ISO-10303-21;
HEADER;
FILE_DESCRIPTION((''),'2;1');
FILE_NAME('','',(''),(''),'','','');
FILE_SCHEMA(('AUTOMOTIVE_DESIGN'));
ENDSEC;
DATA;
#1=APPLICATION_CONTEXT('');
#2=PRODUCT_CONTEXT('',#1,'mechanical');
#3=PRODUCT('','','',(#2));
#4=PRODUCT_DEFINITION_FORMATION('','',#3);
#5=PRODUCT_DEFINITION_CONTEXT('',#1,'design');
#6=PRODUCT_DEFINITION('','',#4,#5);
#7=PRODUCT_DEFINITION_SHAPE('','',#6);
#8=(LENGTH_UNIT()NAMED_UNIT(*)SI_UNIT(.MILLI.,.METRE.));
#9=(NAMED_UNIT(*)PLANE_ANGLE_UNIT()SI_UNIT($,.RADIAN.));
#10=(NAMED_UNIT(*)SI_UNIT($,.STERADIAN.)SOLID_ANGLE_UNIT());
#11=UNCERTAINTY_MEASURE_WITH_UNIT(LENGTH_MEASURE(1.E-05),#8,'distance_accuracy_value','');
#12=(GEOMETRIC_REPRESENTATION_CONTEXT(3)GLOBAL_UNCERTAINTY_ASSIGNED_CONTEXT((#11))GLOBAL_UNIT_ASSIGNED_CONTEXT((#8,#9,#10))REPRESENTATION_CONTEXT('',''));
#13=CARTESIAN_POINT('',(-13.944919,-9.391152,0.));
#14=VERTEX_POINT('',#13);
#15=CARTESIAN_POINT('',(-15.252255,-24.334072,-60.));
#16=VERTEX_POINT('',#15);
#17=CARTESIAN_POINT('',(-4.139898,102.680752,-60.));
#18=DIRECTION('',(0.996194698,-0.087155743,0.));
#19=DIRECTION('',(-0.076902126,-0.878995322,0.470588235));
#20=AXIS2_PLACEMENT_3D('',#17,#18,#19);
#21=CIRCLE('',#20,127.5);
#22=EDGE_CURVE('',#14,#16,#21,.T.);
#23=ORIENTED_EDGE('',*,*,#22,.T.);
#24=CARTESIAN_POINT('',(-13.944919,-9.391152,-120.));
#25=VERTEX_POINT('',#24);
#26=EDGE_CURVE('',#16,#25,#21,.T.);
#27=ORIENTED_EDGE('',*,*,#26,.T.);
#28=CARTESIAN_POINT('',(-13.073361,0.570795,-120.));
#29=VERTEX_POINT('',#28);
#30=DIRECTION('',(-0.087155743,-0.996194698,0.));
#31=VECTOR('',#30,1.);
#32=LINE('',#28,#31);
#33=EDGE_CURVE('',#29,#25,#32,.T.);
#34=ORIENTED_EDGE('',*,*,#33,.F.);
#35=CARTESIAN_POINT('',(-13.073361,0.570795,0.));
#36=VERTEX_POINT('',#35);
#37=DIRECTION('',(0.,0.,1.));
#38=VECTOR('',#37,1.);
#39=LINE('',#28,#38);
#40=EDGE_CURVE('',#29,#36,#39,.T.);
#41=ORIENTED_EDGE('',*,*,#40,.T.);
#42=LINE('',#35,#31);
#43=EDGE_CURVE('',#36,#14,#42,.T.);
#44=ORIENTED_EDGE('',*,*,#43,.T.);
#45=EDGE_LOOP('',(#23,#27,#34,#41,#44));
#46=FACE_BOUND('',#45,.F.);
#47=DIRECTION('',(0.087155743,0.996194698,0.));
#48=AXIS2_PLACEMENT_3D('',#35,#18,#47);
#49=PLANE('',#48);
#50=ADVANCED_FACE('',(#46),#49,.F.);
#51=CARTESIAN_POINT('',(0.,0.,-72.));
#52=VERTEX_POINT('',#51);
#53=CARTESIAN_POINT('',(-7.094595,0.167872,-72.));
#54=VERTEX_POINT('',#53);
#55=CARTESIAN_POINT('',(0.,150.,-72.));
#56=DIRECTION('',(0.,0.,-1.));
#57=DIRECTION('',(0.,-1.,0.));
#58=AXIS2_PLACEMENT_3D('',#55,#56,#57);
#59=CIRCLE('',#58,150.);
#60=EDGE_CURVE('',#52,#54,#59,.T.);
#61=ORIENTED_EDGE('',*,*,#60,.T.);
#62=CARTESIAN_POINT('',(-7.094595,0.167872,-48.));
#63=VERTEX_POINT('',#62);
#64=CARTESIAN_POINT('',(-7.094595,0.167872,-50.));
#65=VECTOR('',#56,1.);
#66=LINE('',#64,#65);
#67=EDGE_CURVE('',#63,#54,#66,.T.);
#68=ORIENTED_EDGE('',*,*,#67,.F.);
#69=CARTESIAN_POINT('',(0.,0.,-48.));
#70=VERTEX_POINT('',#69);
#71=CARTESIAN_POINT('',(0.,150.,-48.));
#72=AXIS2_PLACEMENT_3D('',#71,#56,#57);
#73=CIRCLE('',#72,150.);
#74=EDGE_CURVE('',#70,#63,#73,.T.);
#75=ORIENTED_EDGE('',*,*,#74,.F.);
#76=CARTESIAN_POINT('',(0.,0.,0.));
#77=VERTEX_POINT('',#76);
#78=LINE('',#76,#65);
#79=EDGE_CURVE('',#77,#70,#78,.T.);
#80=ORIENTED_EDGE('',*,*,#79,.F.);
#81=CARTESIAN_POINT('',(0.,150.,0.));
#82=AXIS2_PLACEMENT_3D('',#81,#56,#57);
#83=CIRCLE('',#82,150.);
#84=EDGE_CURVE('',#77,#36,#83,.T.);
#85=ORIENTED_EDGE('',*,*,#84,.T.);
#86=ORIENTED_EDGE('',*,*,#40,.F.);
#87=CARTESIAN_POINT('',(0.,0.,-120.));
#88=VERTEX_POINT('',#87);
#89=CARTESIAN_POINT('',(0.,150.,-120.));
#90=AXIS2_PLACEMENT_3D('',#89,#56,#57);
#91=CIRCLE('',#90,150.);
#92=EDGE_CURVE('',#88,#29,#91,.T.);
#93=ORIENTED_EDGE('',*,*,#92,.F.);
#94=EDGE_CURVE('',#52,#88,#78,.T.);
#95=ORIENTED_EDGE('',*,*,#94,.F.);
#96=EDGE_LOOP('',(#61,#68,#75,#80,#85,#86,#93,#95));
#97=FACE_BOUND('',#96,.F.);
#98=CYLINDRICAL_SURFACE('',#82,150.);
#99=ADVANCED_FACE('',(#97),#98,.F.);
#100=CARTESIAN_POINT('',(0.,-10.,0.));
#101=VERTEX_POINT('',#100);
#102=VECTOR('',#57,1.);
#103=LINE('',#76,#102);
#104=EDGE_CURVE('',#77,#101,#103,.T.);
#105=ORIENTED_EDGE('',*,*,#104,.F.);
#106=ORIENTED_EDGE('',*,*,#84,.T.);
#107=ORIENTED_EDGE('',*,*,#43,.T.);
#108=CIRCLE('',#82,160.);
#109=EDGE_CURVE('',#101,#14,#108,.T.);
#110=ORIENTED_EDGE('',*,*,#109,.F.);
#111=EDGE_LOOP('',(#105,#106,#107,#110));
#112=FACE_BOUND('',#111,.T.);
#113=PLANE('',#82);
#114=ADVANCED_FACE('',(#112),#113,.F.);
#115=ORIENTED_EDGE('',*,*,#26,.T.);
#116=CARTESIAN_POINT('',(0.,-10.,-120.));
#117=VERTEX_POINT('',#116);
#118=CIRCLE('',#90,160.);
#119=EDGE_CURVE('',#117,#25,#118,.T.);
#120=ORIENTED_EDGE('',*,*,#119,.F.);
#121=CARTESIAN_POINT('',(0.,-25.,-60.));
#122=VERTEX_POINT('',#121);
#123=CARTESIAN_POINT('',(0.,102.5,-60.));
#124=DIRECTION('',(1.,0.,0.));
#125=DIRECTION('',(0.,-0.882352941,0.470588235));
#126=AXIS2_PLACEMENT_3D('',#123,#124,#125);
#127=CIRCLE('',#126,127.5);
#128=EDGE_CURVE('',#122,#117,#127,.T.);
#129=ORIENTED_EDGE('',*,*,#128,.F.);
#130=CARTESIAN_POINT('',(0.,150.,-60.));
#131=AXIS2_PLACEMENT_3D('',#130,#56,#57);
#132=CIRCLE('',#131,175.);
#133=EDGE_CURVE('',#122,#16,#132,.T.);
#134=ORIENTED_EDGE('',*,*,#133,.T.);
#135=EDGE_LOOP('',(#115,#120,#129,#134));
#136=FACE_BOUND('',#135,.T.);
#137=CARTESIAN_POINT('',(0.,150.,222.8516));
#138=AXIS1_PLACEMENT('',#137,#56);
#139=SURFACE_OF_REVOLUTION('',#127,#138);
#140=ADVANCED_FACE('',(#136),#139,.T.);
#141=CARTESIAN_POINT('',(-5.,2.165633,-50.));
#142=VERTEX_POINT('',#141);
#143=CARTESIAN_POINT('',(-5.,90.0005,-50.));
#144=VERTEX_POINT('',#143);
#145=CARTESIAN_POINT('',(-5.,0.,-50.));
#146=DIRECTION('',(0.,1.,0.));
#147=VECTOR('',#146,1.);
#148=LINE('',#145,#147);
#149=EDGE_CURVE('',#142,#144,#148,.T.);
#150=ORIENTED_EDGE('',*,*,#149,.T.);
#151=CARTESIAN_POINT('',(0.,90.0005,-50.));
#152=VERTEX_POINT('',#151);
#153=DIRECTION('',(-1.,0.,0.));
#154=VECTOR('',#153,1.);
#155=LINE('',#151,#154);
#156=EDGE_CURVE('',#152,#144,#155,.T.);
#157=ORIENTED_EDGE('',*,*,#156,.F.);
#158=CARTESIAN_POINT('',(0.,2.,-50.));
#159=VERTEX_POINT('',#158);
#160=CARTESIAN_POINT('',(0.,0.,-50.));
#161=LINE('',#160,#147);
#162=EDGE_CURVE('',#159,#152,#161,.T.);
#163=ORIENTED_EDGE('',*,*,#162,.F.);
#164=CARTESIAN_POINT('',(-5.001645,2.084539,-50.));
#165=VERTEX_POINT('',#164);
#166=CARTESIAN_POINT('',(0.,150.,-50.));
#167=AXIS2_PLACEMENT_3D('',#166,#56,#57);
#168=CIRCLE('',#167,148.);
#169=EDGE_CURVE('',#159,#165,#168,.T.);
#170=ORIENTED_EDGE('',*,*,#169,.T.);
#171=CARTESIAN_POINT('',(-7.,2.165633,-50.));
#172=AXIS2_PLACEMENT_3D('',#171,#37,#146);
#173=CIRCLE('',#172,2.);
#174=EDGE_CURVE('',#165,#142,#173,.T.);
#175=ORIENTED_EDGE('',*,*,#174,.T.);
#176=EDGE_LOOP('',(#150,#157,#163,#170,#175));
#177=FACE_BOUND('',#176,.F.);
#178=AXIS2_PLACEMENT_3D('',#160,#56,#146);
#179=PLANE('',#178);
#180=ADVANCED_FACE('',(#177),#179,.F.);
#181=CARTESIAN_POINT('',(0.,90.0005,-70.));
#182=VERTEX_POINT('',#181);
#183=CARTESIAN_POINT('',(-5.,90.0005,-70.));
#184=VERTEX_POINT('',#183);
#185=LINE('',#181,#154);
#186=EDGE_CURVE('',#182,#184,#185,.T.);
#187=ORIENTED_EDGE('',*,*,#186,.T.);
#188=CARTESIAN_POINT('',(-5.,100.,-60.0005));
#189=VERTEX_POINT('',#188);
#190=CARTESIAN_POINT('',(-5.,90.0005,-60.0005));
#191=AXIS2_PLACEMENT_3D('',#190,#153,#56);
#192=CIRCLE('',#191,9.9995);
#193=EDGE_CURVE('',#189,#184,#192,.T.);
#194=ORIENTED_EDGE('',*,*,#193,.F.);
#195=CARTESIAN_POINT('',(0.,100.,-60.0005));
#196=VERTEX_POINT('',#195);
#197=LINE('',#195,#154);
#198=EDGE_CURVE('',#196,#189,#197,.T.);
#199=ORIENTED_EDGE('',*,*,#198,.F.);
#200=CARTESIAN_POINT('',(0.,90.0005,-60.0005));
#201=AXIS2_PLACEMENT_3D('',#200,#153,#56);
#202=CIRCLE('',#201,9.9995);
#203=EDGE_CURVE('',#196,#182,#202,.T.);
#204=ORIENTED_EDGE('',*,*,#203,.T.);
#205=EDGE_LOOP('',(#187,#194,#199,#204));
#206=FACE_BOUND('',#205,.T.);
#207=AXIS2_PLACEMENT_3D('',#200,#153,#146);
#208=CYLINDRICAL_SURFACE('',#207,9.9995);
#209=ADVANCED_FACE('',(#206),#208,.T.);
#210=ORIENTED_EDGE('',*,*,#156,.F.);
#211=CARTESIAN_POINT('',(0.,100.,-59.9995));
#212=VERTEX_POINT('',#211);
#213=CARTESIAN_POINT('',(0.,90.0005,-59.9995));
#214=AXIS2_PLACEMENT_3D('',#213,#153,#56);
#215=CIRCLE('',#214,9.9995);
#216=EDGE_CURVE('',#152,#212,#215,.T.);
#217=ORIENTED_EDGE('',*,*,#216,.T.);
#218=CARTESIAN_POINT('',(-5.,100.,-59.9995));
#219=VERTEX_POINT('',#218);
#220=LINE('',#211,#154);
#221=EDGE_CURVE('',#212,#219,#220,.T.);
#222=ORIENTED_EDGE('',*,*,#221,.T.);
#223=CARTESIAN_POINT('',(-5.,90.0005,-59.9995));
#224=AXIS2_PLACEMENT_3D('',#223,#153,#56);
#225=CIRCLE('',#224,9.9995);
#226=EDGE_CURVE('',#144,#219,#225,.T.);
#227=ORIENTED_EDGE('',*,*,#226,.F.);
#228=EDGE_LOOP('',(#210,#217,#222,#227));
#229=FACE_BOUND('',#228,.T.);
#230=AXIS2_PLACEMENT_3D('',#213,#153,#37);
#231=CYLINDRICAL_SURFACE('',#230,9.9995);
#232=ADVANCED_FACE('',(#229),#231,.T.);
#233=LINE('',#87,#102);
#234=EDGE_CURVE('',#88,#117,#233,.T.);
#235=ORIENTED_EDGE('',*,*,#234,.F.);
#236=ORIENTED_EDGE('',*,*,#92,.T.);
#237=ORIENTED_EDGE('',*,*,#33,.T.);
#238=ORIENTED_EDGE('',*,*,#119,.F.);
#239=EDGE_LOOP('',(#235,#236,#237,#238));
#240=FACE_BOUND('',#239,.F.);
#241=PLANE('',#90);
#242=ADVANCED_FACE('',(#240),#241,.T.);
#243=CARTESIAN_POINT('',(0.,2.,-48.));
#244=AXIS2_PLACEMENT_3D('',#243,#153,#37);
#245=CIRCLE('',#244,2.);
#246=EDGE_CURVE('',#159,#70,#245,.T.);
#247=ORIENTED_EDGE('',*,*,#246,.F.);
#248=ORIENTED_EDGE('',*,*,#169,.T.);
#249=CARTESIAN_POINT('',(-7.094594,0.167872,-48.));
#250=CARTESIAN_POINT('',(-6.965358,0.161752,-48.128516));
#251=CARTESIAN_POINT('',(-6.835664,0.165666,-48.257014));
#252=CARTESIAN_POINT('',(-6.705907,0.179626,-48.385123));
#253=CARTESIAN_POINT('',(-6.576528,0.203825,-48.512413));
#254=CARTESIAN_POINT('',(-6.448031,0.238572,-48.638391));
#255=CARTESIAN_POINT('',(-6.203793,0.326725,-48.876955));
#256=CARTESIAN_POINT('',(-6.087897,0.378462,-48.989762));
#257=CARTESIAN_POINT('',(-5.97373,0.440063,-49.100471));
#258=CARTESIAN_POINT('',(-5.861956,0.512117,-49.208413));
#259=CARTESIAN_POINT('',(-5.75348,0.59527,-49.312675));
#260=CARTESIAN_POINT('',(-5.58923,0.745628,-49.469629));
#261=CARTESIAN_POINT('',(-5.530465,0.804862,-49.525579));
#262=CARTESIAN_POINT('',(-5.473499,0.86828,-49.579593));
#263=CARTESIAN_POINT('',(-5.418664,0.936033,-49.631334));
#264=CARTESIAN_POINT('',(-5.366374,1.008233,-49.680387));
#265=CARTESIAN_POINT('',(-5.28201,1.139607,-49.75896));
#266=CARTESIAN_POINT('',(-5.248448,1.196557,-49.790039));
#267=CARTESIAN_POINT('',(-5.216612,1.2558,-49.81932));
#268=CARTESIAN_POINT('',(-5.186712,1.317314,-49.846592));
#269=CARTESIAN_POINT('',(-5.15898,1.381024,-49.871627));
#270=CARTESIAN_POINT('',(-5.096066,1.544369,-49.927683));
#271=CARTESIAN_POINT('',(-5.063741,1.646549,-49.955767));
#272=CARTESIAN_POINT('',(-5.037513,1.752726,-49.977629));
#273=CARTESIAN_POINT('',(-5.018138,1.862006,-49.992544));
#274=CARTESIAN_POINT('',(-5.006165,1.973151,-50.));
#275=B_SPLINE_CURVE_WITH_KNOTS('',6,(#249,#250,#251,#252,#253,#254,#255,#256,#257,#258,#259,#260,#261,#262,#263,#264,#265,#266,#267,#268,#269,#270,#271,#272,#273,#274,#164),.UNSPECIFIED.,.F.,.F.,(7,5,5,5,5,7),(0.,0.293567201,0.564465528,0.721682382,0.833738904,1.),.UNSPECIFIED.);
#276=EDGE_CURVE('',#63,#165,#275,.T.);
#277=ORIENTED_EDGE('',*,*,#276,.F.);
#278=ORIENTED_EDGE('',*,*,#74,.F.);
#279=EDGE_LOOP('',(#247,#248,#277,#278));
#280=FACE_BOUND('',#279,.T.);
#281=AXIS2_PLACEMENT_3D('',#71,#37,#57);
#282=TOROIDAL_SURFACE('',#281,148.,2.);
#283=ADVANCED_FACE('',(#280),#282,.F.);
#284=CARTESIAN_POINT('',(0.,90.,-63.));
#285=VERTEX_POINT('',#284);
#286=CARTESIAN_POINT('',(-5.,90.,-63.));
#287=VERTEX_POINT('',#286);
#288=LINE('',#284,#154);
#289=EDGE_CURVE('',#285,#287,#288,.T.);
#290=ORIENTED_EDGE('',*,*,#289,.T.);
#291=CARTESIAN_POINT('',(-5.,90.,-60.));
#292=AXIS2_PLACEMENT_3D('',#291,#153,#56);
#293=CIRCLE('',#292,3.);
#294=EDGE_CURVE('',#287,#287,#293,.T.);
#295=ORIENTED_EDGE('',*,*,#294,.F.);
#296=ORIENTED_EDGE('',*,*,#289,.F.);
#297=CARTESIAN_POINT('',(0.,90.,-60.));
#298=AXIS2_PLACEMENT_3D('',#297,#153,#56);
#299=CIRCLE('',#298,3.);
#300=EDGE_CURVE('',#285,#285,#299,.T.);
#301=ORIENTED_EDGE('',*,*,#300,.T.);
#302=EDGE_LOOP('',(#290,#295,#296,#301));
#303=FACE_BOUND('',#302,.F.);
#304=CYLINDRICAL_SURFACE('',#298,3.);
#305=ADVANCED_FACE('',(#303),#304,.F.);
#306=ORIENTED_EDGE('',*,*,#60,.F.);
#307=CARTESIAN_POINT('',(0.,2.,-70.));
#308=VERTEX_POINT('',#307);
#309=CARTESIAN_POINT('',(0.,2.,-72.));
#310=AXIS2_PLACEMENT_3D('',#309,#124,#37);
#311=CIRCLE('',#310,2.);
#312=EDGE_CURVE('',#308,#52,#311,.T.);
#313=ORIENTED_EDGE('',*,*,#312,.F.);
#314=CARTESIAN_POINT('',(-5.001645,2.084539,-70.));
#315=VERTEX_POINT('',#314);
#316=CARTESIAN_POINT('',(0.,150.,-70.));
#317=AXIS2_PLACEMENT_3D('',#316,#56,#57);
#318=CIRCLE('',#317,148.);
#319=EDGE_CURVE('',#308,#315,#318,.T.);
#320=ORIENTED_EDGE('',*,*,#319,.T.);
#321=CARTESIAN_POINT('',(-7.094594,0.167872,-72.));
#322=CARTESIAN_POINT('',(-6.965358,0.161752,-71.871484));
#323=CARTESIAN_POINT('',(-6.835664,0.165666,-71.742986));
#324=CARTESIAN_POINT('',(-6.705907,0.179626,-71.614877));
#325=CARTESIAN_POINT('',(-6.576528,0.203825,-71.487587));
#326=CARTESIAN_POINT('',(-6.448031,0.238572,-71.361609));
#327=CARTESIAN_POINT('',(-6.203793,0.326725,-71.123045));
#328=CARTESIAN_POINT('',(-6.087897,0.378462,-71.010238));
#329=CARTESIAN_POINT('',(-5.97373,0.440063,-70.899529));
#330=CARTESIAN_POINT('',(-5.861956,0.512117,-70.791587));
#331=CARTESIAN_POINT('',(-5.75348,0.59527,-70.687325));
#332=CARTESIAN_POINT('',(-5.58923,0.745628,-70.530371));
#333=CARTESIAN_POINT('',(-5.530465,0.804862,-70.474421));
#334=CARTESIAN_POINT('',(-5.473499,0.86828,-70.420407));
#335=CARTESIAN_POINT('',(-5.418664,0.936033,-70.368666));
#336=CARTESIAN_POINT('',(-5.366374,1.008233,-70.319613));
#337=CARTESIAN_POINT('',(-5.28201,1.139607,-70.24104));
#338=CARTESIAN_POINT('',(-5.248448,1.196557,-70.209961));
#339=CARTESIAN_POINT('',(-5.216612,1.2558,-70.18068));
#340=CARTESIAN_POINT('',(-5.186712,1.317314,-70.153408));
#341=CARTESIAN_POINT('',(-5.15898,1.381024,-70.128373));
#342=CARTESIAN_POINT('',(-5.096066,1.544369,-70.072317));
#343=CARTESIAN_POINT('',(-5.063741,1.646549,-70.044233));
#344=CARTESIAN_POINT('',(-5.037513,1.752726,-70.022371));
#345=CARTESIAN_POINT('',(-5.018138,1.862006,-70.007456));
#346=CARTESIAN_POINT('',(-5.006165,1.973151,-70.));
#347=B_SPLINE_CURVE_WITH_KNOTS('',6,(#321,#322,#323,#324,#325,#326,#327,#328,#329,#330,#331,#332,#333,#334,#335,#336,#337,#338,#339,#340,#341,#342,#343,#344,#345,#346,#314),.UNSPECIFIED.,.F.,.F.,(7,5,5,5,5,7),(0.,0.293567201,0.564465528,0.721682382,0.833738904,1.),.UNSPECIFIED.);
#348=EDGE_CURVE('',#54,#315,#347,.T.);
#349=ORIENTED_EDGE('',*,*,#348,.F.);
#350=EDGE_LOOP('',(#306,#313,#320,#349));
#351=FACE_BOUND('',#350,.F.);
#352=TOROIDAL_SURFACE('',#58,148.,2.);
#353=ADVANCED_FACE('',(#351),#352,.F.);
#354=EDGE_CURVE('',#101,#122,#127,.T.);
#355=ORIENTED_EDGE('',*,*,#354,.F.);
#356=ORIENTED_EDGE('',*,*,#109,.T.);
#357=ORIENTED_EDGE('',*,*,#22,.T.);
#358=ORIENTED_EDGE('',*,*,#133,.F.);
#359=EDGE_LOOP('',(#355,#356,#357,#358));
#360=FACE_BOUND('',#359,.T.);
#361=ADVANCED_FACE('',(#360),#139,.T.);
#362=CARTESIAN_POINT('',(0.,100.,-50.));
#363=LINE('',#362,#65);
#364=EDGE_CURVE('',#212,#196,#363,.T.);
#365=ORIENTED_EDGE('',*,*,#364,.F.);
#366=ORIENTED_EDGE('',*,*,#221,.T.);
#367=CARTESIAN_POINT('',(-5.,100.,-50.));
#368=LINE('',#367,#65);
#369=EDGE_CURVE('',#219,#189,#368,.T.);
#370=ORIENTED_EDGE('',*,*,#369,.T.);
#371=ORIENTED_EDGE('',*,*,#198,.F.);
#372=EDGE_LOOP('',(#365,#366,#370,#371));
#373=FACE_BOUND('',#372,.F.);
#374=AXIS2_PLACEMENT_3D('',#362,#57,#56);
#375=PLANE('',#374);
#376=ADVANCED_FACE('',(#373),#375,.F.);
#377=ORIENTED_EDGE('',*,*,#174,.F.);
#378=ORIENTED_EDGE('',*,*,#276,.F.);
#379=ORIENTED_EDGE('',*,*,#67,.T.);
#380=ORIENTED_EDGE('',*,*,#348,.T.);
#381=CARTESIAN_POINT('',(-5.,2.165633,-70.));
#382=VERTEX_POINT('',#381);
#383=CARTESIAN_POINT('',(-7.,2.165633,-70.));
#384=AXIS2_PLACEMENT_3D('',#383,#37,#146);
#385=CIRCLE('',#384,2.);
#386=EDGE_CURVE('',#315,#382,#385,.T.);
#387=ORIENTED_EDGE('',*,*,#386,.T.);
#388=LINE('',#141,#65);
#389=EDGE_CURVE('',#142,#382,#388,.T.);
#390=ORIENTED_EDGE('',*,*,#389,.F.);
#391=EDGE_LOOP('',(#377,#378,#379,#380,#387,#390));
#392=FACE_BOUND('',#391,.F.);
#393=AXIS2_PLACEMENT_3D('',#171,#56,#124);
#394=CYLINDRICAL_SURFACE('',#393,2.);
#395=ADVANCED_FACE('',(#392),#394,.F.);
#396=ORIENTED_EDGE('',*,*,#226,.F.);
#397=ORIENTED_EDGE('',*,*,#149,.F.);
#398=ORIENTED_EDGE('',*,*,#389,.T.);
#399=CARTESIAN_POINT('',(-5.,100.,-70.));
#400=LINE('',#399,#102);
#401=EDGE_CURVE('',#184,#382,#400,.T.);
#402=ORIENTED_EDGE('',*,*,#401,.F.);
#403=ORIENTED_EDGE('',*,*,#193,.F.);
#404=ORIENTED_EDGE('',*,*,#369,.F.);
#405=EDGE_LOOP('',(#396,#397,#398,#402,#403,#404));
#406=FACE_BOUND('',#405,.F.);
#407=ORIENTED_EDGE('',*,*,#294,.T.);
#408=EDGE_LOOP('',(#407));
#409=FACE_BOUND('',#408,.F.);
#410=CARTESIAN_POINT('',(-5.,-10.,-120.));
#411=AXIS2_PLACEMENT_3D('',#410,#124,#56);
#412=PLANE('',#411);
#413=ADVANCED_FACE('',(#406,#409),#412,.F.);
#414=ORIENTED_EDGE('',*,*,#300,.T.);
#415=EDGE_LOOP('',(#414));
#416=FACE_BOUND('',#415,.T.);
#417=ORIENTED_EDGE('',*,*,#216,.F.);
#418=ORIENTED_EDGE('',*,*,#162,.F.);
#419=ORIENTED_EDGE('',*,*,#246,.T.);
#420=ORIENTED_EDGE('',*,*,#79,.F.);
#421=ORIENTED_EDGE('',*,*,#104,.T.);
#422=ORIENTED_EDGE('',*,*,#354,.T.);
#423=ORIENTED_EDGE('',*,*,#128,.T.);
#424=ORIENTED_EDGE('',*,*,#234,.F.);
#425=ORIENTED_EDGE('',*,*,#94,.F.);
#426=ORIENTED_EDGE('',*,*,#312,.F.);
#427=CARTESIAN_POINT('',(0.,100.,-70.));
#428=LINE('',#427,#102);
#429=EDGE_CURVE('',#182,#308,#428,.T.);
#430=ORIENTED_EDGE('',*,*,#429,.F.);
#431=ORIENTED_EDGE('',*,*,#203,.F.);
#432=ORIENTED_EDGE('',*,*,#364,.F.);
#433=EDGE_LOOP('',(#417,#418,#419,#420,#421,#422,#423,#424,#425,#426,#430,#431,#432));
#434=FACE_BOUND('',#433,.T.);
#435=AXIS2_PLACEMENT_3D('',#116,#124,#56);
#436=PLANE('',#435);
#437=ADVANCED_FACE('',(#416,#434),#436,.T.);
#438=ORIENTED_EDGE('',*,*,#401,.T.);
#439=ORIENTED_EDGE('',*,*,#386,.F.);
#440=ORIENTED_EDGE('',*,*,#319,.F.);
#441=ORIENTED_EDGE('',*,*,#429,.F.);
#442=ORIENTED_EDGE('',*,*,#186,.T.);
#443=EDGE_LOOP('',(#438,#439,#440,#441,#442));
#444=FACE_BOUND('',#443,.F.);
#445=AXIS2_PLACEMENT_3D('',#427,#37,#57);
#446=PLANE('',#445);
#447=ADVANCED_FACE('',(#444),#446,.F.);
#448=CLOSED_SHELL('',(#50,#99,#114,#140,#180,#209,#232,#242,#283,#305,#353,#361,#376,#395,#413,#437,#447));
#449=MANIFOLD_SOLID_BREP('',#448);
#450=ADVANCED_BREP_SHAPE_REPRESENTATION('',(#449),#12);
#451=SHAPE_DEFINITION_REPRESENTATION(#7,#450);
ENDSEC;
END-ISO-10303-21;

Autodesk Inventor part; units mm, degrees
ref_plane "YZ Plane" through (0, 0, 0) normal (1, 0, 0) x (0, 1, 0)
ref_plane "XZ Plane" through (0, 0, 0) normal (0, 1, 0) x (-1, 0, 0)
ref_plane "XY Plane" through (0, 0, 0) normal (0, 0, 1) x (1, 0, 0)
sketch "スケッチ2" plane through (0, 0, 0) normal (1, 0, 0) x (0, 1, 0)
  line L0 (0, 0) -> (0, -120)
  line L1 (0, -120) -> (-10, -120)
  line L2 (0, 0) -> (-10, 0)
  line L3 (0, -60) -> (-25, -60)
  arc A0 (-10, 0) -> (-10, -120) centre (102.5, -60) ccw
  line L4 (150, 222.8516) -> (150, -392.0935)
  dimension "d14" = 120
  dimension "d15" = 10
  dimension "d16" = 10
  dimension "d17" = 25
  dimension "d18" = 300
revolve "回転2" add sketch "スケッチ2" angle 5 about axis through (0, 150, 222.8516) along (0, 0, -1)
sketch "スケッチ3" plane through (0, -10, -120) normal (1, 0, 0) x (0, 0, -1)
  line L0 (-70, 110) -> (-50, 110)
  line L1 (-50, 110) -> (-50, 10)
  line L2 (-50, 10) -> (-70, 10)
  line L3 (-70, 10) -> (-70, 110)
  line L4 (0, 0) -> (0, 10) projected
  line L5 (0, 10) -> (-120, 10) projected
  dimension "d20" = 100
  dimension "d21" = 20
  dimension "d22" = 50
  dimension "d23" = 0
extrude "押し出し1" add sketch "スケッチ3" against normal blind 5
fillet "フィレット2" radius 2 3 edges at (-2.5003, 0.0208, -50) (-5, 0.0834, -60) (-2.5003, 0.0208, -70)
sketch "スケッチ4" plane through (0, -10, -120) normal (1, 0, 0) x (0, 0, -1)
  line L0 (-50, 12) -> (-50, 110) projected
  line L1 (-50, 110) -> (-70, 110) projected
  point P0 (-120, 10)
  point P1 (-60, 100)
  dimension "d27" = 10
  dimension "d28" = 10
hole "穴1" at (0, 90, -60) direction (-1, 0, 0) diameter 6 end through all
fillet "フィレット3" radius 10 2 edges at (-2.5, 100, -50) (-2.5, 100, -70)
properties part number "受動歩行"
